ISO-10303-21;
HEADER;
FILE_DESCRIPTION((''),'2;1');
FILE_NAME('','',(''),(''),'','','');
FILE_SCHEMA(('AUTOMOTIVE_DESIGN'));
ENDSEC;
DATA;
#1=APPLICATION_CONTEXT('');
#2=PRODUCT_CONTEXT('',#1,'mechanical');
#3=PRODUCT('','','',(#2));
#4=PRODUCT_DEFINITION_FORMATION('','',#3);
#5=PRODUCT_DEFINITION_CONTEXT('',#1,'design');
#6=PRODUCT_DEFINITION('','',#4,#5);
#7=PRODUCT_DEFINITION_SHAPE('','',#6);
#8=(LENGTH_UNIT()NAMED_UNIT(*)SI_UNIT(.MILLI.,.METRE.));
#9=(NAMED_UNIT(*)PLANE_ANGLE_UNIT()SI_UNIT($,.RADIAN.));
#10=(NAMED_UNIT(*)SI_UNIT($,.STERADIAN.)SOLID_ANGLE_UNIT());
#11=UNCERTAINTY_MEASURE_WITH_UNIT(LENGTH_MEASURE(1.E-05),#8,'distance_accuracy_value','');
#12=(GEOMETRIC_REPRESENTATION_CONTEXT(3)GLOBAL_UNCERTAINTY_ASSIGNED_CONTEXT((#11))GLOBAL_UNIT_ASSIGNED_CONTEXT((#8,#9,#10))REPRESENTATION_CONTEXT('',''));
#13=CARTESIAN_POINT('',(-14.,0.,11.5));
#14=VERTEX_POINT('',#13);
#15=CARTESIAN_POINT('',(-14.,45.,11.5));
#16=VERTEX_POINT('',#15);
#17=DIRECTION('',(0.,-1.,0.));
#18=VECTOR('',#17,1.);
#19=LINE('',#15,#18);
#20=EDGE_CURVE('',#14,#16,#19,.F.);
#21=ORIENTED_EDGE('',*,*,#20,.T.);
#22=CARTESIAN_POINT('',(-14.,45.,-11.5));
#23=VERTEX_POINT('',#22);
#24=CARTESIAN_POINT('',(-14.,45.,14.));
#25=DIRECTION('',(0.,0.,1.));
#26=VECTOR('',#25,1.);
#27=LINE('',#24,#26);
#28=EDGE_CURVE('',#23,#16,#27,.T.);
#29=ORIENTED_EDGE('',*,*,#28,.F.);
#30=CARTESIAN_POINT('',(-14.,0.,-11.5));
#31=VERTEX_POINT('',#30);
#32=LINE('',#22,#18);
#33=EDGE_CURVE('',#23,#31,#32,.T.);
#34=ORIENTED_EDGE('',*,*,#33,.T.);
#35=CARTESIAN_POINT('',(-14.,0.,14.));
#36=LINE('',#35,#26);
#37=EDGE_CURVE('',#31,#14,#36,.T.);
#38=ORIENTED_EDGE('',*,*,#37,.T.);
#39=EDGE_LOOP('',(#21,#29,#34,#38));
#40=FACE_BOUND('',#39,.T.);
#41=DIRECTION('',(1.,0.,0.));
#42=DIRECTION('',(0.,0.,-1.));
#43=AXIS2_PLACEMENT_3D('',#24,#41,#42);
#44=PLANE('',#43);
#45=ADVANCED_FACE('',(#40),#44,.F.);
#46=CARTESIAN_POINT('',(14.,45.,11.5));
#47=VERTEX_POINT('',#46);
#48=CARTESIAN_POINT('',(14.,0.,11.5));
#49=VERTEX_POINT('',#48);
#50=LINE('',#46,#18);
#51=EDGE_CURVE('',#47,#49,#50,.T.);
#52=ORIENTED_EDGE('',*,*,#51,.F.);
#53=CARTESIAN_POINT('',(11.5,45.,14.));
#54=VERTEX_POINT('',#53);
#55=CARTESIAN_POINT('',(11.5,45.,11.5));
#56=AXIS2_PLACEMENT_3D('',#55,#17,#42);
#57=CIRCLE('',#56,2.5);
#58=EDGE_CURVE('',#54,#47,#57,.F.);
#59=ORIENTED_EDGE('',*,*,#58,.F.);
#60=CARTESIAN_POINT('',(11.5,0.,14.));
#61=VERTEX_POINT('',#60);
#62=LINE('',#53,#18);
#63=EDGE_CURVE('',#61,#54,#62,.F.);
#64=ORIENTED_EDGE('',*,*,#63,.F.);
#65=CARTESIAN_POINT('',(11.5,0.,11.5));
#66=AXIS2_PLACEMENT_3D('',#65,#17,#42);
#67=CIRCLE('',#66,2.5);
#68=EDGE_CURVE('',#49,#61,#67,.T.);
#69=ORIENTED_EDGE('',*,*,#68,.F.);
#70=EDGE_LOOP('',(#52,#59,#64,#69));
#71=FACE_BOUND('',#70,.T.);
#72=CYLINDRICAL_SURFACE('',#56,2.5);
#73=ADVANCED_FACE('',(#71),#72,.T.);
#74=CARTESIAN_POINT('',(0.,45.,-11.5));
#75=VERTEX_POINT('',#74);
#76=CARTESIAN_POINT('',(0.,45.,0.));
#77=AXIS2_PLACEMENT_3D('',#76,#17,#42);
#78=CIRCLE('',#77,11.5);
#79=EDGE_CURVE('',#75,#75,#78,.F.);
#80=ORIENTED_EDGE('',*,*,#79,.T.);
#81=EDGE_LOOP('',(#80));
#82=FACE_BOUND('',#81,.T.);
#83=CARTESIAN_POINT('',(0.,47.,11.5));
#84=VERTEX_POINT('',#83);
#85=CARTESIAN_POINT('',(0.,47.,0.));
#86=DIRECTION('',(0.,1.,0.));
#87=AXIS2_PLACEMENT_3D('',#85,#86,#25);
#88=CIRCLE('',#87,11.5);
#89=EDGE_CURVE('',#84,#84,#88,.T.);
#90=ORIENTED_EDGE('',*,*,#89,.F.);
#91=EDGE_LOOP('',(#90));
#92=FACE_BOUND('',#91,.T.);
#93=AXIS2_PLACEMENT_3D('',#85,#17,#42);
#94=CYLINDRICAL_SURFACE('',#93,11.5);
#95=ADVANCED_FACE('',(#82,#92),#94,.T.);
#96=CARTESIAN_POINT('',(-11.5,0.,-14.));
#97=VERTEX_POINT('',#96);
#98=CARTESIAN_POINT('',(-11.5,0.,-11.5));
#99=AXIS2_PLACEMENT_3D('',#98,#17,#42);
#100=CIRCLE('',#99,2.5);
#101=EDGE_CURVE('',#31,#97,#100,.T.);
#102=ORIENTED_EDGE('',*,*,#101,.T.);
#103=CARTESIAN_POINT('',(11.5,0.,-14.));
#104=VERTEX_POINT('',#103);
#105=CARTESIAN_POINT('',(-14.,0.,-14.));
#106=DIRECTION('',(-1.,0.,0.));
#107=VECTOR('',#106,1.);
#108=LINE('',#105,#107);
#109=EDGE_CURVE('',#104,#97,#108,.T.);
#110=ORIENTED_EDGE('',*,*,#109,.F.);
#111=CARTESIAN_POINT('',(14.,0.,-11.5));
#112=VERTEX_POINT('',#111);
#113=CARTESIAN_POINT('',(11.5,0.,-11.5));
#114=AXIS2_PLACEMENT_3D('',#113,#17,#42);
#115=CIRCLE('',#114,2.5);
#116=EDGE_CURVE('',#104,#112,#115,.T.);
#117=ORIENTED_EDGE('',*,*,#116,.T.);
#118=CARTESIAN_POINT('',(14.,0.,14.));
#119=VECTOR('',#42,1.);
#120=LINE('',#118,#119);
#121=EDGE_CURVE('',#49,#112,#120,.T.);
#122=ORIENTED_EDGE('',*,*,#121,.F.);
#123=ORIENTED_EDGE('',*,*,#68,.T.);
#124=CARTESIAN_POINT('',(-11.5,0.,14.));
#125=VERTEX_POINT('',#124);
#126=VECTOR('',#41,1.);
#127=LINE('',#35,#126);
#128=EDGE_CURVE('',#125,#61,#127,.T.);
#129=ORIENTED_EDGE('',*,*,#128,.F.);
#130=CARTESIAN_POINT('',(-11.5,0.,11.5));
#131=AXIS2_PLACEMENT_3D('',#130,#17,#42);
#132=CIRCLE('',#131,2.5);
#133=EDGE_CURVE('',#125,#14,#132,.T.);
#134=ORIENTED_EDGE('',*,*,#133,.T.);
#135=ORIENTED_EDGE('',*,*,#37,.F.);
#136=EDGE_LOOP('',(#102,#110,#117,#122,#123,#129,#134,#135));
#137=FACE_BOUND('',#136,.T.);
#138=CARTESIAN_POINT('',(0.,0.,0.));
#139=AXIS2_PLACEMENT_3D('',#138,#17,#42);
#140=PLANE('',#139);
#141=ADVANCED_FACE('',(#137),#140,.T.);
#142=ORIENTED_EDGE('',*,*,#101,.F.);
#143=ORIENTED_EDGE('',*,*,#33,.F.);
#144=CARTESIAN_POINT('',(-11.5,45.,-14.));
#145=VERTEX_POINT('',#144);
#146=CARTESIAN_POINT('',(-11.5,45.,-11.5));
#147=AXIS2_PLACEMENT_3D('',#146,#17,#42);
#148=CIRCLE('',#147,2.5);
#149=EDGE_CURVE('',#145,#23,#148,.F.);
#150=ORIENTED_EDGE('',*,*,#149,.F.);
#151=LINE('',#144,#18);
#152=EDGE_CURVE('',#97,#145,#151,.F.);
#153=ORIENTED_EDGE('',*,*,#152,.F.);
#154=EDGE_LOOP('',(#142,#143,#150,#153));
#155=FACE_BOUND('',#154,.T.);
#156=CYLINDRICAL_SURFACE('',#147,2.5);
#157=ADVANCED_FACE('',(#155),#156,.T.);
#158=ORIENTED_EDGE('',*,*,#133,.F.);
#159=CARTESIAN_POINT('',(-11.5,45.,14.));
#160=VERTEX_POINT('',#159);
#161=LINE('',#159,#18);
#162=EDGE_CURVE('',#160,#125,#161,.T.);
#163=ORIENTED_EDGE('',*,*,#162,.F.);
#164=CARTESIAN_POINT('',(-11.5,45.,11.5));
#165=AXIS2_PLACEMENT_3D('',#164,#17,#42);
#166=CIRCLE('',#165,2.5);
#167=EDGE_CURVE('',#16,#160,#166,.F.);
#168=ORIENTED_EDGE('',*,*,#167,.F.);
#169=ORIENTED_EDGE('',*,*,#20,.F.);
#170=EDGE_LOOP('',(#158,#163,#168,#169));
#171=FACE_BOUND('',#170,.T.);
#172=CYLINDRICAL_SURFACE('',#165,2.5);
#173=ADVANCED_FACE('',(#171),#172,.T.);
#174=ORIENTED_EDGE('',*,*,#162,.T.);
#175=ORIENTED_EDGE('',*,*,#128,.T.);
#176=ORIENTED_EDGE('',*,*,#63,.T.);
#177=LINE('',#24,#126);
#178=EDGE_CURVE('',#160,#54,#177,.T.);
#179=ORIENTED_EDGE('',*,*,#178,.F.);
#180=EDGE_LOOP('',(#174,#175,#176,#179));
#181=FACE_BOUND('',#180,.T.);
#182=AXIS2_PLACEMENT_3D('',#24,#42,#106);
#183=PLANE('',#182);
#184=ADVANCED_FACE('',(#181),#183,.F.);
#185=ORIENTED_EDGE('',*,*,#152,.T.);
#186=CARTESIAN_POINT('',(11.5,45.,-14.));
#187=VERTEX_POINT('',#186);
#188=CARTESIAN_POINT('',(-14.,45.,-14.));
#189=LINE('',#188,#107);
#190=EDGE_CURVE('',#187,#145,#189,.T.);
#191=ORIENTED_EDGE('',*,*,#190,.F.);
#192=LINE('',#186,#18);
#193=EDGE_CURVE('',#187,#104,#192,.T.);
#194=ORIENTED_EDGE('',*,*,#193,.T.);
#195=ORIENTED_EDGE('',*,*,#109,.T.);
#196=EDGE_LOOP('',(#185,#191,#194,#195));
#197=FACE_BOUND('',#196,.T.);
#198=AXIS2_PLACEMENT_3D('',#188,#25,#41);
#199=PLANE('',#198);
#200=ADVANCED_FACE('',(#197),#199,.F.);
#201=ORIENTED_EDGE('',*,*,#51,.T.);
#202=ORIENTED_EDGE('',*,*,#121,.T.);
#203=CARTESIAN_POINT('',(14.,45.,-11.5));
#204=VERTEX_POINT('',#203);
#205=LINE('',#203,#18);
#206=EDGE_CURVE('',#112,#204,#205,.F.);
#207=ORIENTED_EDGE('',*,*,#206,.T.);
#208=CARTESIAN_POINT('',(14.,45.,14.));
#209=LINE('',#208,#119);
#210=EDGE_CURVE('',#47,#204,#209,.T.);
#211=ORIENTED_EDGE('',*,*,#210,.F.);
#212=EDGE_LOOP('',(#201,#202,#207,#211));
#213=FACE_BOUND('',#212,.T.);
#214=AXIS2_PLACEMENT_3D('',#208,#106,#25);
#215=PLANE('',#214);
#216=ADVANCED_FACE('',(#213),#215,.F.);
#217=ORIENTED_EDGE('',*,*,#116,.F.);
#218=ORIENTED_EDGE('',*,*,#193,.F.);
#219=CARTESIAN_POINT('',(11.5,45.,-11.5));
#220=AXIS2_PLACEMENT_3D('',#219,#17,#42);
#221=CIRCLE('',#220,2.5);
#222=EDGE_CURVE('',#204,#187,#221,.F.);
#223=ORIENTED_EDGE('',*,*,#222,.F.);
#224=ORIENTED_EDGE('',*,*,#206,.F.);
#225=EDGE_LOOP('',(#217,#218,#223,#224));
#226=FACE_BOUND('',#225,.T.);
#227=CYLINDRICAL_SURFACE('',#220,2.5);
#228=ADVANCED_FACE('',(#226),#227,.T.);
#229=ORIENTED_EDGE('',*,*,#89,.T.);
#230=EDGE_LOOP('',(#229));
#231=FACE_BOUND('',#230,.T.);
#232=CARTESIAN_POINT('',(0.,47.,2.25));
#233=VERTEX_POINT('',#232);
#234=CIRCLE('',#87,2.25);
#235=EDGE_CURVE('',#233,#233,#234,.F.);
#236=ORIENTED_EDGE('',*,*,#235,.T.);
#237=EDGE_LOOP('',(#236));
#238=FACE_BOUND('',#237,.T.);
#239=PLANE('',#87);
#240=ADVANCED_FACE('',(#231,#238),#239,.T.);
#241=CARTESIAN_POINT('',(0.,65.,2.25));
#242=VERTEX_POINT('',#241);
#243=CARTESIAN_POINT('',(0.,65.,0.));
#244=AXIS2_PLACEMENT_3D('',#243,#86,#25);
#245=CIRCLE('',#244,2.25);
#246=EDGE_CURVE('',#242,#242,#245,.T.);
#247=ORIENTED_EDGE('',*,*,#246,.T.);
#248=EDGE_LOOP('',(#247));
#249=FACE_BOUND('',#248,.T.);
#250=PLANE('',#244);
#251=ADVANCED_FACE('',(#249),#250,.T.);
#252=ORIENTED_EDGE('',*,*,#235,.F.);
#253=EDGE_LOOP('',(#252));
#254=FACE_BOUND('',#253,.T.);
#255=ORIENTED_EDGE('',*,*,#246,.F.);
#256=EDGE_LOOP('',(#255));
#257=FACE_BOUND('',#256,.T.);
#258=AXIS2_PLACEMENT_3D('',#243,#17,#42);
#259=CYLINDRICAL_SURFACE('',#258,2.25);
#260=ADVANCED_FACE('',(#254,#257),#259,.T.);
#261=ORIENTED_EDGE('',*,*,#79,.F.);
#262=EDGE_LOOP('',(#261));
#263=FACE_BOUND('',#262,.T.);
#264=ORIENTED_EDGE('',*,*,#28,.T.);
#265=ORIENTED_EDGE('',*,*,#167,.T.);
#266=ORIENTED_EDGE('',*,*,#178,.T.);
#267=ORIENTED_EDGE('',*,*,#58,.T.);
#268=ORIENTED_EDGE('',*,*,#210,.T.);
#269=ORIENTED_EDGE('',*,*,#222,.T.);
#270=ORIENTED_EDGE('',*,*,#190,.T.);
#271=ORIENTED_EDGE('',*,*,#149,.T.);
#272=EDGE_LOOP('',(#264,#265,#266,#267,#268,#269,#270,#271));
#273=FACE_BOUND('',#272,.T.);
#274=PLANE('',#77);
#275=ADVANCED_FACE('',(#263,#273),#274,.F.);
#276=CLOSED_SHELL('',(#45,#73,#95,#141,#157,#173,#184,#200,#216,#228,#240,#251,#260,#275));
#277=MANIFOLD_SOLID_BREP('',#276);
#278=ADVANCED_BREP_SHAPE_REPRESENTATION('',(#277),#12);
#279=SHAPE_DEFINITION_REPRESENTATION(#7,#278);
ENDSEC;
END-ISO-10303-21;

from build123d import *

# Parameters (mm, degrees)
SKETCH1_W           = 28
SKETCH1_H           = 28
BOSS_EXTRUDE1_DEPTH = 45
SKETCH2_R           = 11.5
BOSS_EXTRUDE2_DEPTH = 2
SKETCH3_R           = 2.25
BOSS_EXTRUDE3_DEPTH = 20
FILLET1_R           = 2.5


with BuildPart() as part:
    # Sketch1 → Boss-Extrude1 (new body)
    with BuildSketch(Plane(origin=(0, 0, 0), x_dir=(1, 0, 0), z_dir=(0, 1, 0))):
        Rectangle(SKETCH1_W, SKETCH1_H)
    extrude(amount=BOSS_EXTRUDE1_DEPTH)

    # Sketch2 → Boss-Extrude2 (add)
    with BuildSketch(Plane(origin=(0, 45, 0), x_dir=(1, 0, 0), z_dir=(0, 1, 0))):
        with Locations(Location((0, 0, 0), (0, 0, 90))):
            Circle(SKETCH2_R)
    extrude(amount=BOSS_EXTRUDE2_DEPTH)

    # Sketch3 → Boss-Extrude3 (add)
    with BuildSketch(Plane(origin=(0, 45, 0), x_dir=(1, 0, 0), z_dir=(0, 1, 0))):
        with Locations(Location((0, 0, 0), (0, 0, 270))):
            Circle(SKETCH3_R)
    extrude(amount=BOSS_EXTRUDE3_DEPTH)

    # Fillet1
    fillet1_edges = [part.edges().sort_by_distance(p)[0] for p in [
        (-14, 22.5, -14),
        (14, 22.5, -14),
        (14, 22.5, 14),
        (-14, 22.5, 14),
    ]]
    fillet(fillet1_edges, radius=FILLET1_R)


solid = part.part
